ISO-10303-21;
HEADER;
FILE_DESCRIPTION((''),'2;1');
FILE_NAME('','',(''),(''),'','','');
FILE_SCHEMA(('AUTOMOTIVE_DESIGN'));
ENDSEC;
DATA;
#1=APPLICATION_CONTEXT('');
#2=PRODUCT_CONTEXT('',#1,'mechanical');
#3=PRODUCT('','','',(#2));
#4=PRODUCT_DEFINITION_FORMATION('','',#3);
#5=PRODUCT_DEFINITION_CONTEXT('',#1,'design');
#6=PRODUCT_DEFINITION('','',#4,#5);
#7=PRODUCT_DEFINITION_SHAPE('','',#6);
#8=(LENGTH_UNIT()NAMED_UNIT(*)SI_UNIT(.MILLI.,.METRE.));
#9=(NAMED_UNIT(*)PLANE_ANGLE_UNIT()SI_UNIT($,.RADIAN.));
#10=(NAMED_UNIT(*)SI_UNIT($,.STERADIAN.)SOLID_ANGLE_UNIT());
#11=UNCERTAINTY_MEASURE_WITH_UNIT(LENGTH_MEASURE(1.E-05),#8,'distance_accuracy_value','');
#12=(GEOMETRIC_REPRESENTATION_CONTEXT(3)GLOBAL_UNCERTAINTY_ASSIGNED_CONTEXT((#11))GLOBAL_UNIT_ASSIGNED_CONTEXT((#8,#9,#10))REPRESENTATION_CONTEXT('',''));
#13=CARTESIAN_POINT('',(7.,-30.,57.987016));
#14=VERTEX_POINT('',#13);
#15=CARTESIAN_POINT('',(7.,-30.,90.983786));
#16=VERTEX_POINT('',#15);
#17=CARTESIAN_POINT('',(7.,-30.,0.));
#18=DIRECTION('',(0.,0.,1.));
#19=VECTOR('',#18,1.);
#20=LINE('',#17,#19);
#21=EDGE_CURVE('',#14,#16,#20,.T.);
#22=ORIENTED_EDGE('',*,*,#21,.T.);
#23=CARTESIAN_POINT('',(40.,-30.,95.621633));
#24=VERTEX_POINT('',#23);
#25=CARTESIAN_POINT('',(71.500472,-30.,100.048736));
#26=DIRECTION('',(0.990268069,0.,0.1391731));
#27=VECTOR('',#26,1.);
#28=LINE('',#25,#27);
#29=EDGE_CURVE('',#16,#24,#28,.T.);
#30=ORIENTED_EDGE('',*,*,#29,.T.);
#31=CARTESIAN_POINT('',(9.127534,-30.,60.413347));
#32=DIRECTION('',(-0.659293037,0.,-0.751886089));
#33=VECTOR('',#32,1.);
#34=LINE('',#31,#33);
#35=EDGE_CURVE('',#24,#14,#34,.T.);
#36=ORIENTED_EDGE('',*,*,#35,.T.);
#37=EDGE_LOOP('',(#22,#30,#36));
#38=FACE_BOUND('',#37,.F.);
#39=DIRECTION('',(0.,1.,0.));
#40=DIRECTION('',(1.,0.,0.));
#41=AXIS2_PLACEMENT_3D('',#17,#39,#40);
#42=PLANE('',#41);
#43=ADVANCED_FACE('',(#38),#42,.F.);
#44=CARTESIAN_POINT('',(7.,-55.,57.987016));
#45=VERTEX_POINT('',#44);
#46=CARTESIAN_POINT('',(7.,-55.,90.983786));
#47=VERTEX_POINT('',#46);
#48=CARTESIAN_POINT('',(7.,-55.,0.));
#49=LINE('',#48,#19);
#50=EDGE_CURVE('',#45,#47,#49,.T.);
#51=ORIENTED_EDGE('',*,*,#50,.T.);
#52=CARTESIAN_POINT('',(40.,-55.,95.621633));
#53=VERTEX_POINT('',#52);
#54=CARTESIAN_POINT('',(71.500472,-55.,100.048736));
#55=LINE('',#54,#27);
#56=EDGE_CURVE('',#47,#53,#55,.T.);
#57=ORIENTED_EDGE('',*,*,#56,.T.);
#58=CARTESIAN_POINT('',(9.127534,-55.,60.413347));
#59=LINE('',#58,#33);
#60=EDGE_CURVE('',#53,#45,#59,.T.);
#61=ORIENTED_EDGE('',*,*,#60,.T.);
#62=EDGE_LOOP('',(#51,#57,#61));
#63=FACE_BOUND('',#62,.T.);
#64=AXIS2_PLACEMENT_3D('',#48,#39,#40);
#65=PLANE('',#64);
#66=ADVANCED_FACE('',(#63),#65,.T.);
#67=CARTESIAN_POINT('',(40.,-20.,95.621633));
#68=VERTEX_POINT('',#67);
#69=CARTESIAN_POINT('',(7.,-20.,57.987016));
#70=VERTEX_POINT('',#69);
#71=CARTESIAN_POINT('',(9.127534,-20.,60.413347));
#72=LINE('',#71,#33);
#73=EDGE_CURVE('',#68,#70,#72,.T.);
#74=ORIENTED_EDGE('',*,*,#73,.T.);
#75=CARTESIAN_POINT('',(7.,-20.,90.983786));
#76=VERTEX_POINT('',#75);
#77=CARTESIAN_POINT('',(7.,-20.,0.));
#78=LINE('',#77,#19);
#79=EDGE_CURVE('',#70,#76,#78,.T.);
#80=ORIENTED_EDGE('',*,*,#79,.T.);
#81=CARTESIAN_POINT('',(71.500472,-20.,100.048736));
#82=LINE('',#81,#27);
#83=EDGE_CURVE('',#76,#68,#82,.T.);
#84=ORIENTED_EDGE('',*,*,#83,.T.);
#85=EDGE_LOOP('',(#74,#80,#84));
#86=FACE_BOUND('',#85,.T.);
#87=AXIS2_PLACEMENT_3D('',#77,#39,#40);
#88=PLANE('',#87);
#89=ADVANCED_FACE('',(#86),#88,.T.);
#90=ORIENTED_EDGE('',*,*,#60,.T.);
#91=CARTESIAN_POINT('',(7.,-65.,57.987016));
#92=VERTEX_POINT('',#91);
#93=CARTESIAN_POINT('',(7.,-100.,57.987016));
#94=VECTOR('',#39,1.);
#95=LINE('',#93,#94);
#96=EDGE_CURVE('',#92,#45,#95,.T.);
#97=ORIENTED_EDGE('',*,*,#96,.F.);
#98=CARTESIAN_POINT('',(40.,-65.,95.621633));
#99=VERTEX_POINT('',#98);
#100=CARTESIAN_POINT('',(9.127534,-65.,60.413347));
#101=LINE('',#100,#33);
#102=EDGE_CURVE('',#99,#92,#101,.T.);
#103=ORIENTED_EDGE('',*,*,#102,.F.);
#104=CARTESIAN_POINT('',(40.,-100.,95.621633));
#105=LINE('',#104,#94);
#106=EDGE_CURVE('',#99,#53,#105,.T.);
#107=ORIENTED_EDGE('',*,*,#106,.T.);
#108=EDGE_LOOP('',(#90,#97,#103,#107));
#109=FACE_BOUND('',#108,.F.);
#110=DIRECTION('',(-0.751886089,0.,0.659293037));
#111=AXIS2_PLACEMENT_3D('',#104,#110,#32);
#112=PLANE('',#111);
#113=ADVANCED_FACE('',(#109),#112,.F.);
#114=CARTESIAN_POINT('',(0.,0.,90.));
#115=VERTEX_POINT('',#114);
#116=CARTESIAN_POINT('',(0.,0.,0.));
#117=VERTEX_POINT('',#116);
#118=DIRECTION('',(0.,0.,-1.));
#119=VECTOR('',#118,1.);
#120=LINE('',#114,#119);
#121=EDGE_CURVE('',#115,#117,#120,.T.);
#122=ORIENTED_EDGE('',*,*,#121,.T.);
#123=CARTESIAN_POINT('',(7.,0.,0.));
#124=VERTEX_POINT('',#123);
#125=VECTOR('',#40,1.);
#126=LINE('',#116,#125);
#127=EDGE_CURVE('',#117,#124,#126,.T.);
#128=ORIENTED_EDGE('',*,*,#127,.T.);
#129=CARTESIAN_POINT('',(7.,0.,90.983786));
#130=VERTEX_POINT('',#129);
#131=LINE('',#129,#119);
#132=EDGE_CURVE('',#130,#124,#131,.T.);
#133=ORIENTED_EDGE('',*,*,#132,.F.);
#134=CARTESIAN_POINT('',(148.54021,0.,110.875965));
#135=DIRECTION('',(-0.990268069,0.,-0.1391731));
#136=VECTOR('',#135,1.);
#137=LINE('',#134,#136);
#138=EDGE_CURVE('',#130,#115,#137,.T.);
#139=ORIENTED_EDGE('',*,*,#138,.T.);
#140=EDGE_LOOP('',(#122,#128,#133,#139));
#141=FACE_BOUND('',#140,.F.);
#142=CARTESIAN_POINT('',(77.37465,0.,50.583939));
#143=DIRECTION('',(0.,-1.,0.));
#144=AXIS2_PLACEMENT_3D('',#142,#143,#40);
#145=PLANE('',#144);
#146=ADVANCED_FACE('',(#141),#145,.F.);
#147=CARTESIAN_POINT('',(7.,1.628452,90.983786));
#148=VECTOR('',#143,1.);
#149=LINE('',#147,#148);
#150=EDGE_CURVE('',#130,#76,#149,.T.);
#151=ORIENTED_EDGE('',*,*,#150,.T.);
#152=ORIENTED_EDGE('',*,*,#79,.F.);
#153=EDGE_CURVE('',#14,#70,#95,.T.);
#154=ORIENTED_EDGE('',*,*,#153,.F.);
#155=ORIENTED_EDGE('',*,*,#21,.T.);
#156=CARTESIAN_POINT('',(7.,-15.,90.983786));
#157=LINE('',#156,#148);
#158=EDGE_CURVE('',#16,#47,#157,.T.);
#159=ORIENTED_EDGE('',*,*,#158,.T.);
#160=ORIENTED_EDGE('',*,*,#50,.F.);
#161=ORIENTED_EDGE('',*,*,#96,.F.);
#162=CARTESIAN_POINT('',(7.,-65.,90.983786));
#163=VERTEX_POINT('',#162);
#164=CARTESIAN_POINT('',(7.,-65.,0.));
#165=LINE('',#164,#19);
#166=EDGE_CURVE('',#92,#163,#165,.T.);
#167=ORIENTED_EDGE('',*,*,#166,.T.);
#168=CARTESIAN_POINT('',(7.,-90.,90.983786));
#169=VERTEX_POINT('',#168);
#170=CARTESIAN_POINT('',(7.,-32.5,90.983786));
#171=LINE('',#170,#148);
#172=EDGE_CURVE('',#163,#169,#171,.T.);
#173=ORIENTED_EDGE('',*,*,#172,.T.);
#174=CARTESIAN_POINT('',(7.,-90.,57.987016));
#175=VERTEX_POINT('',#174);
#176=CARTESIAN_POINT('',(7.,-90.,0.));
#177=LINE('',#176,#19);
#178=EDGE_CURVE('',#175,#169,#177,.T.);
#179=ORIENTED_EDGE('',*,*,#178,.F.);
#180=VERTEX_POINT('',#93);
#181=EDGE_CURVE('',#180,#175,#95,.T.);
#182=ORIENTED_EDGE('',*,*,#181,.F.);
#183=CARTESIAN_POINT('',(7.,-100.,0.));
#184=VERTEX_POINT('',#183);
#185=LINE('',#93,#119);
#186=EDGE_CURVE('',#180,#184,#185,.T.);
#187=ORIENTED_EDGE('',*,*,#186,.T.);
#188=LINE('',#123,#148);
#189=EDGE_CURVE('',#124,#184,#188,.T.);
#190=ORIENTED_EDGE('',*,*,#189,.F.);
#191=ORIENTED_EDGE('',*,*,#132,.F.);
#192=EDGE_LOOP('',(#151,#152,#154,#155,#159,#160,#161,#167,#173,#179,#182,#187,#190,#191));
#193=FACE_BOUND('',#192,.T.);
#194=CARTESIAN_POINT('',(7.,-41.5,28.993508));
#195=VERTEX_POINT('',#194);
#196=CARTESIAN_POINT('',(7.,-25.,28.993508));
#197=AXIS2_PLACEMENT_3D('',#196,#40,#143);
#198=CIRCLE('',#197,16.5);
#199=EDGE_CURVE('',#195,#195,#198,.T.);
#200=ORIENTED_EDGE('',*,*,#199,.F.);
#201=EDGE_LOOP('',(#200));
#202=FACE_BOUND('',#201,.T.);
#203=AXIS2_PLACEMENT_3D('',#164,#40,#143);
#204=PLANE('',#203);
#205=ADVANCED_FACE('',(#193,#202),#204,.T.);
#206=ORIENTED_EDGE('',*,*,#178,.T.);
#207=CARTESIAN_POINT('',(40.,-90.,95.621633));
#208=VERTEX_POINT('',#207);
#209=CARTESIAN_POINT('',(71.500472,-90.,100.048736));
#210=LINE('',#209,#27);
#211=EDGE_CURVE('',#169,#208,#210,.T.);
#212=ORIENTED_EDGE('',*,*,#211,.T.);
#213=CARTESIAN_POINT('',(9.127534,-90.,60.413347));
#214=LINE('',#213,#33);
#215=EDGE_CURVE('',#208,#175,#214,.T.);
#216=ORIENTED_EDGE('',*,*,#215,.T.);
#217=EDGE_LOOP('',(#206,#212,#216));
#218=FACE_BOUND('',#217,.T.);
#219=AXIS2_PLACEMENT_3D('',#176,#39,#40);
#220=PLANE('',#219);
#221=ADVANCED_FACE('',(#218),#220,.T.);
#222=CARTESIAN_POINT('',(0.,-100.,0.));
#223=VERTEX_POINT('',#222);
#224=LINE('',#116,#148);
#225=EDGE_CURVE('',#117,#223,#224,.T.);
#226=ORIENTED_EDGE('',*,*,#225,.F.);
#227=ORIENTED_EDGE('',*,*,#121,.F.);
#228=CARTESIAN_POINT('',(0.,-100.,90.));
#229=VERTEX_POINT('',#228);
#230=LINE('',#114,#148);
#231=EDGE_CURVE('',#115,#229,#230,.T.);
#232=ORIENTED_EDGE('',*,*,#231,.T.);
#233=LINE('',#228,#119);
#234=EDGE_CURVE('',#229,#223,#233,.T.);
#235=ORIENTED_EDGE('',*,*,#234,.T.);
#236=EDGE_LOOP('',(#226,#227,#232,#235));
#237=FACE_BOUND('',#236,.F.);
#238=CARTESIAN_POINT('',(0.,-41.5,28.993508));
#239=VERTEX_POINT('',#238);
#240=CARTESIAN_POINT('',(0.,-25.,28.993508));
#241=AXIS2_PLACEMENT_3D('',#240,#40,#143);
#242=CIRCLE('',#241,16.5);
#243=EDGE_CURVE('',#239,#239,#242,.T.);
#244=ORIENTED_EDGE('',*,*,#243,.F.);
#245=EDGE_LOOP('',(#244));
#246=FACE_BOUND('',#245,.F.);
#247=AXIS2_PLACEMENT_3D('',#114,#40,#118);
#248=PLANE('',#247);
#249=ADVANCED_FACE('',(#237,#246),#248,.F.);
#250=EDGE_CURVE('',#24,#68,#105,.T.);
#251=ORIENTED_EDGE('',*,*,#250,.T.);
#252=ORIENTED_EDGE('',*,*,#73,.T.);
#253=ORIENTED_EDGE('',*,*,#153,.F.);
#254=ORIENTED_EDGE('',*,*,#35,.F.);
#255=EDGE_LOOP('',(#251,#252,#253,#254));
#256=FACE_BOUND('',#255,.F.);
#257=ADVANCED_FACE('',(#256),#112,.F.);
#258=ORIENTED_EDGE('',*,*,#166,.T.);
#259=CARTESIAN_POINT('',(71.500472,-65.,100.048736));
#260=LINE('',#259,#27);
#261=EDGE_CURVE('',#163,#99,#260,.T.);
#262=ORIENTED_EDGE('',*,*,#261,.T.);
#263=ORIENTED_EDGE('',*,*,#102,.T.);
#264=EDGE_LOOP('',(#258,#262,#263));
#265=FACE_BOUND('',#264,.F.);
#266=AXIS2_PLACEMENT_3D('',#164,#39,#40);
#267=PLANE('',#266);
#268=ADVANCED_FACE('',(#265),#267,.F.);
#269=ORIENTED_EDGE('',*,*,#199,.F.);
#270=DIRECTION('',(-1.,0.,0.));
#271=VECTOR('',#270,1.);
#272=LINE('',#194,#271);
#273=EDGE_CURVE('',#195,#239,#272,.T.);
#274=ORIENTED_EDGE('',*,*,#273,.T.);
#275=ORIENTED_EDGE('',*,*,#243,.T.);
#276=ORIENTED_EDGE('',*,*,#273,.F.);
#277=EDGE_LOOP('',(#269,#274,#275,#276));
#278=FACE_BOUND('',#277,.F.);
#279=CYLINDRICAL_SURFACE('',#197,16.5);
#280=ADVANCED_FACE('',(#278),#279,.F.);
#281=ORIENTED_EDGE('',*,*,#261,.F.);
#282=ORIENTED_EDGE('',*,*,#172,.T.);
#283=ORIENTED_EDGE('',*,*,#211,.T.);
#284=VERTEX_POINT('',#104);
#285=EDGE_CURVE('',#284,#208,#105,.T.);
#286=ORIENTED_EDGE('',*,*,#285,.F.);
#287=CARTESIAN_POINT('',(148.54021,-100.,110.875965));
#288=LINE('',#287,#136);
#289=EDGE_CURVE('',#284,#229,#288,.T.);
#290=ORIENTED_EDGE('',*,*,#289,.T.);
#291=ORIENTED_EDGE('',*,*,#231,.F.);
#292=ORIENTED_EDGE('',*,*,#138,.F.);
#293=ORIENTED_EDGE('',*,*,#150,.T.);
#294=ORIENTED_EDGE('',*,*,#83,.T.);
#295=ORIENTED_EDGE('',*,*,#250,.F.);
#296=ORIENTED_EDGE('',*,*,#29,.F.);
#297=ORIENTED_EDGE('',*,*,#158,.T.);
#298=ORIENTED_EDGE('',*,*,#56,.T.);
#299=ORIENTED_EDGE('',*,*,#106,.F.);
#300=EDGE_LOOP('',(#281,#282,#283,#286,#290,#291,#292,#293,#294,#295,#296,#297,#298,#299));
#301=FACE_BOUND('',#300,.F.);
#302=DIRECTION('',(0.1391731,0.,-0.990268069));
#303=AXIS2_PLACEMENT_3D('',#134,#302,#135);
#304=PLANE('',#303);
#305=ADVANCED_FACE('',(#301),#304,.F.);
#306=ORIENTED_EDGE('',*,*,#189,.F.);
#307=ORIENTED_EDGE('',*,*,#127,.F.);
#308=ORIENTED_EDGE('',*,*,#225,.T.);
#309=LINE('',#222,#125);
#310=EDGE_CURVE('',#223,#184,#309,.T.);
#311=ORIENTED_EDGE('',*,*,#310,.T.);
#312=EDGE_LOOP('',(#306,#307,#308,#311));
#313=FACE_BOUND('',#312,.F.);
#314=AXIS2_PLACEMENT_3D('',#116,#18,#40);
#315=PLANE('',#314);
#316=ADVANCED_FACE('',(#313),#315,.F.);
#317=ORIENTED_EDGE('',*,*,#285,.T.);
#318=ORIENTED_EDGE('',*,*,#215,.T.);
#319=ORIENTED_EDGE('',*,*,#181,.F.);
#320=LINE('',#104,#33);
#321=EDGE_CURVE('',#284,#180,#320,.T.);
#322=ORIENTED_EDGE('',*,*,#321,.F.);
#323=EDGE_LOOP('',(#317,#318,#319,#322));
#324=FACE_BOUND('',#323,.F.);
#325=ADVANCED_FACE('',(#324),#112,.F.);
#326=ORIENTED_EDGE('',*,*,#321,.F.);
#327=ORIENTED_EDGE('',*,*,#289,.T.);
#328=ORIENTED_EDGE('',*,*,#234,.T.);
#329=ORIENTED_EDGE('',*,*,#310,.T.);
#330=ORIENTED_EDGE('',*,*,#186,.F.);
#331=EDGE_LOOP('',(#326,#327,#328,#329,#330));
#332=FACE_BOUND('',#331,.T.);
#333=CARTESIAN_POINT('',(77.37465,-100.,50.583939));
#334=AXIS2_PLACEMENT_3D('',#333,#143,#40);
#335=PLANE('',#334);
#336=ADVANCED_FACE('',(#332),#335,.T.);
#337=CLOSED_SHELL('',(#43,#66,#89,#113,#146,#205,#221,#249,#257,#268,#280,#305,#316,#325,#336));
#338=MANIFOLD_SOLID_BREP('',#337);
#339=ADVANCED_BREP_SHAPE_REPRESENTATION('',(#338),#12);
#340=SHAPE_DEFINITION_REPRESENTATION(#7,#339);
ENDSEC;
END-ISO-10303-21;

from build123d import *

# Parameters (mm, degrees)
F1_DEPTH = 100
F3_DEPTH = 100
F4_W     = 37.074
F4_H     = 23.256904
F4_H_2   = 25
F5_DEPTH = 150
F7_DEPTH = 25


with BuildPart() as f1:
    # F0 (on Front) → F1 (new body)
    with BuildSketch(Plane.XZ):
        Polygon((0, 90), (0, 0), (148.54021, 0), (148.54021, 110.875965), align=None)
    extrude(amount=F1_DEPTH)

    # F2 (on face) → F3 (cut)
    with BuildSketch(Plane.XZ.offset(100)):
        Polygon((7, 0), (40, 0), (148.54021, 0), (148.54021, 169.224784), (40, 169.224784), (40, 95.621633), (7, 57.987016), align=None)
    extrude(amount=-F3_DEPTH, mode=Mode.SUBTRACT)

    # F4 (on face) → F5 (cut)
    with BuildSketch(Plane(origin=(0, 0, 0), x_dir=(1, 0, 0), z_dir=(0, 0, -1))):
        with Locations((25.537, 8.371548)):
            Rectangle(F4_W, F4_H)
        with Locations((25.537, 42.5)):
            Rectangle(F4_W, F4_H_2)
        with Locations((25.537, 77.5)):
            Rectangle(F4_W, F4_H_2)
    extrude(amount=-F5_DEPTH, mode=Mode.SUBTRACT)

    # F6 (on face) → F7 (cut)
    with BuildSketch(Plane.YZ.offset(7)):
        with BuildLine():
            ThreePointArc((-8.5, 28.993508), (-25, 45.493508), (-41.5, 28.993508))
            Line((-41.5, 28.993508), (-8.5, 28.993508))
        make_face()
        with BuildLine():
            Line((-8.5, 28.993508), (-41.5, 28.993508))
            ThreePointArc((-41.5, 28.993508), (-25, 12.493508), (-8.5, 28.993508))
        make_face()
    extrude(amount=-F7_DEPTH, mode=Mode.SUBTRACT)


solid = f1.part
